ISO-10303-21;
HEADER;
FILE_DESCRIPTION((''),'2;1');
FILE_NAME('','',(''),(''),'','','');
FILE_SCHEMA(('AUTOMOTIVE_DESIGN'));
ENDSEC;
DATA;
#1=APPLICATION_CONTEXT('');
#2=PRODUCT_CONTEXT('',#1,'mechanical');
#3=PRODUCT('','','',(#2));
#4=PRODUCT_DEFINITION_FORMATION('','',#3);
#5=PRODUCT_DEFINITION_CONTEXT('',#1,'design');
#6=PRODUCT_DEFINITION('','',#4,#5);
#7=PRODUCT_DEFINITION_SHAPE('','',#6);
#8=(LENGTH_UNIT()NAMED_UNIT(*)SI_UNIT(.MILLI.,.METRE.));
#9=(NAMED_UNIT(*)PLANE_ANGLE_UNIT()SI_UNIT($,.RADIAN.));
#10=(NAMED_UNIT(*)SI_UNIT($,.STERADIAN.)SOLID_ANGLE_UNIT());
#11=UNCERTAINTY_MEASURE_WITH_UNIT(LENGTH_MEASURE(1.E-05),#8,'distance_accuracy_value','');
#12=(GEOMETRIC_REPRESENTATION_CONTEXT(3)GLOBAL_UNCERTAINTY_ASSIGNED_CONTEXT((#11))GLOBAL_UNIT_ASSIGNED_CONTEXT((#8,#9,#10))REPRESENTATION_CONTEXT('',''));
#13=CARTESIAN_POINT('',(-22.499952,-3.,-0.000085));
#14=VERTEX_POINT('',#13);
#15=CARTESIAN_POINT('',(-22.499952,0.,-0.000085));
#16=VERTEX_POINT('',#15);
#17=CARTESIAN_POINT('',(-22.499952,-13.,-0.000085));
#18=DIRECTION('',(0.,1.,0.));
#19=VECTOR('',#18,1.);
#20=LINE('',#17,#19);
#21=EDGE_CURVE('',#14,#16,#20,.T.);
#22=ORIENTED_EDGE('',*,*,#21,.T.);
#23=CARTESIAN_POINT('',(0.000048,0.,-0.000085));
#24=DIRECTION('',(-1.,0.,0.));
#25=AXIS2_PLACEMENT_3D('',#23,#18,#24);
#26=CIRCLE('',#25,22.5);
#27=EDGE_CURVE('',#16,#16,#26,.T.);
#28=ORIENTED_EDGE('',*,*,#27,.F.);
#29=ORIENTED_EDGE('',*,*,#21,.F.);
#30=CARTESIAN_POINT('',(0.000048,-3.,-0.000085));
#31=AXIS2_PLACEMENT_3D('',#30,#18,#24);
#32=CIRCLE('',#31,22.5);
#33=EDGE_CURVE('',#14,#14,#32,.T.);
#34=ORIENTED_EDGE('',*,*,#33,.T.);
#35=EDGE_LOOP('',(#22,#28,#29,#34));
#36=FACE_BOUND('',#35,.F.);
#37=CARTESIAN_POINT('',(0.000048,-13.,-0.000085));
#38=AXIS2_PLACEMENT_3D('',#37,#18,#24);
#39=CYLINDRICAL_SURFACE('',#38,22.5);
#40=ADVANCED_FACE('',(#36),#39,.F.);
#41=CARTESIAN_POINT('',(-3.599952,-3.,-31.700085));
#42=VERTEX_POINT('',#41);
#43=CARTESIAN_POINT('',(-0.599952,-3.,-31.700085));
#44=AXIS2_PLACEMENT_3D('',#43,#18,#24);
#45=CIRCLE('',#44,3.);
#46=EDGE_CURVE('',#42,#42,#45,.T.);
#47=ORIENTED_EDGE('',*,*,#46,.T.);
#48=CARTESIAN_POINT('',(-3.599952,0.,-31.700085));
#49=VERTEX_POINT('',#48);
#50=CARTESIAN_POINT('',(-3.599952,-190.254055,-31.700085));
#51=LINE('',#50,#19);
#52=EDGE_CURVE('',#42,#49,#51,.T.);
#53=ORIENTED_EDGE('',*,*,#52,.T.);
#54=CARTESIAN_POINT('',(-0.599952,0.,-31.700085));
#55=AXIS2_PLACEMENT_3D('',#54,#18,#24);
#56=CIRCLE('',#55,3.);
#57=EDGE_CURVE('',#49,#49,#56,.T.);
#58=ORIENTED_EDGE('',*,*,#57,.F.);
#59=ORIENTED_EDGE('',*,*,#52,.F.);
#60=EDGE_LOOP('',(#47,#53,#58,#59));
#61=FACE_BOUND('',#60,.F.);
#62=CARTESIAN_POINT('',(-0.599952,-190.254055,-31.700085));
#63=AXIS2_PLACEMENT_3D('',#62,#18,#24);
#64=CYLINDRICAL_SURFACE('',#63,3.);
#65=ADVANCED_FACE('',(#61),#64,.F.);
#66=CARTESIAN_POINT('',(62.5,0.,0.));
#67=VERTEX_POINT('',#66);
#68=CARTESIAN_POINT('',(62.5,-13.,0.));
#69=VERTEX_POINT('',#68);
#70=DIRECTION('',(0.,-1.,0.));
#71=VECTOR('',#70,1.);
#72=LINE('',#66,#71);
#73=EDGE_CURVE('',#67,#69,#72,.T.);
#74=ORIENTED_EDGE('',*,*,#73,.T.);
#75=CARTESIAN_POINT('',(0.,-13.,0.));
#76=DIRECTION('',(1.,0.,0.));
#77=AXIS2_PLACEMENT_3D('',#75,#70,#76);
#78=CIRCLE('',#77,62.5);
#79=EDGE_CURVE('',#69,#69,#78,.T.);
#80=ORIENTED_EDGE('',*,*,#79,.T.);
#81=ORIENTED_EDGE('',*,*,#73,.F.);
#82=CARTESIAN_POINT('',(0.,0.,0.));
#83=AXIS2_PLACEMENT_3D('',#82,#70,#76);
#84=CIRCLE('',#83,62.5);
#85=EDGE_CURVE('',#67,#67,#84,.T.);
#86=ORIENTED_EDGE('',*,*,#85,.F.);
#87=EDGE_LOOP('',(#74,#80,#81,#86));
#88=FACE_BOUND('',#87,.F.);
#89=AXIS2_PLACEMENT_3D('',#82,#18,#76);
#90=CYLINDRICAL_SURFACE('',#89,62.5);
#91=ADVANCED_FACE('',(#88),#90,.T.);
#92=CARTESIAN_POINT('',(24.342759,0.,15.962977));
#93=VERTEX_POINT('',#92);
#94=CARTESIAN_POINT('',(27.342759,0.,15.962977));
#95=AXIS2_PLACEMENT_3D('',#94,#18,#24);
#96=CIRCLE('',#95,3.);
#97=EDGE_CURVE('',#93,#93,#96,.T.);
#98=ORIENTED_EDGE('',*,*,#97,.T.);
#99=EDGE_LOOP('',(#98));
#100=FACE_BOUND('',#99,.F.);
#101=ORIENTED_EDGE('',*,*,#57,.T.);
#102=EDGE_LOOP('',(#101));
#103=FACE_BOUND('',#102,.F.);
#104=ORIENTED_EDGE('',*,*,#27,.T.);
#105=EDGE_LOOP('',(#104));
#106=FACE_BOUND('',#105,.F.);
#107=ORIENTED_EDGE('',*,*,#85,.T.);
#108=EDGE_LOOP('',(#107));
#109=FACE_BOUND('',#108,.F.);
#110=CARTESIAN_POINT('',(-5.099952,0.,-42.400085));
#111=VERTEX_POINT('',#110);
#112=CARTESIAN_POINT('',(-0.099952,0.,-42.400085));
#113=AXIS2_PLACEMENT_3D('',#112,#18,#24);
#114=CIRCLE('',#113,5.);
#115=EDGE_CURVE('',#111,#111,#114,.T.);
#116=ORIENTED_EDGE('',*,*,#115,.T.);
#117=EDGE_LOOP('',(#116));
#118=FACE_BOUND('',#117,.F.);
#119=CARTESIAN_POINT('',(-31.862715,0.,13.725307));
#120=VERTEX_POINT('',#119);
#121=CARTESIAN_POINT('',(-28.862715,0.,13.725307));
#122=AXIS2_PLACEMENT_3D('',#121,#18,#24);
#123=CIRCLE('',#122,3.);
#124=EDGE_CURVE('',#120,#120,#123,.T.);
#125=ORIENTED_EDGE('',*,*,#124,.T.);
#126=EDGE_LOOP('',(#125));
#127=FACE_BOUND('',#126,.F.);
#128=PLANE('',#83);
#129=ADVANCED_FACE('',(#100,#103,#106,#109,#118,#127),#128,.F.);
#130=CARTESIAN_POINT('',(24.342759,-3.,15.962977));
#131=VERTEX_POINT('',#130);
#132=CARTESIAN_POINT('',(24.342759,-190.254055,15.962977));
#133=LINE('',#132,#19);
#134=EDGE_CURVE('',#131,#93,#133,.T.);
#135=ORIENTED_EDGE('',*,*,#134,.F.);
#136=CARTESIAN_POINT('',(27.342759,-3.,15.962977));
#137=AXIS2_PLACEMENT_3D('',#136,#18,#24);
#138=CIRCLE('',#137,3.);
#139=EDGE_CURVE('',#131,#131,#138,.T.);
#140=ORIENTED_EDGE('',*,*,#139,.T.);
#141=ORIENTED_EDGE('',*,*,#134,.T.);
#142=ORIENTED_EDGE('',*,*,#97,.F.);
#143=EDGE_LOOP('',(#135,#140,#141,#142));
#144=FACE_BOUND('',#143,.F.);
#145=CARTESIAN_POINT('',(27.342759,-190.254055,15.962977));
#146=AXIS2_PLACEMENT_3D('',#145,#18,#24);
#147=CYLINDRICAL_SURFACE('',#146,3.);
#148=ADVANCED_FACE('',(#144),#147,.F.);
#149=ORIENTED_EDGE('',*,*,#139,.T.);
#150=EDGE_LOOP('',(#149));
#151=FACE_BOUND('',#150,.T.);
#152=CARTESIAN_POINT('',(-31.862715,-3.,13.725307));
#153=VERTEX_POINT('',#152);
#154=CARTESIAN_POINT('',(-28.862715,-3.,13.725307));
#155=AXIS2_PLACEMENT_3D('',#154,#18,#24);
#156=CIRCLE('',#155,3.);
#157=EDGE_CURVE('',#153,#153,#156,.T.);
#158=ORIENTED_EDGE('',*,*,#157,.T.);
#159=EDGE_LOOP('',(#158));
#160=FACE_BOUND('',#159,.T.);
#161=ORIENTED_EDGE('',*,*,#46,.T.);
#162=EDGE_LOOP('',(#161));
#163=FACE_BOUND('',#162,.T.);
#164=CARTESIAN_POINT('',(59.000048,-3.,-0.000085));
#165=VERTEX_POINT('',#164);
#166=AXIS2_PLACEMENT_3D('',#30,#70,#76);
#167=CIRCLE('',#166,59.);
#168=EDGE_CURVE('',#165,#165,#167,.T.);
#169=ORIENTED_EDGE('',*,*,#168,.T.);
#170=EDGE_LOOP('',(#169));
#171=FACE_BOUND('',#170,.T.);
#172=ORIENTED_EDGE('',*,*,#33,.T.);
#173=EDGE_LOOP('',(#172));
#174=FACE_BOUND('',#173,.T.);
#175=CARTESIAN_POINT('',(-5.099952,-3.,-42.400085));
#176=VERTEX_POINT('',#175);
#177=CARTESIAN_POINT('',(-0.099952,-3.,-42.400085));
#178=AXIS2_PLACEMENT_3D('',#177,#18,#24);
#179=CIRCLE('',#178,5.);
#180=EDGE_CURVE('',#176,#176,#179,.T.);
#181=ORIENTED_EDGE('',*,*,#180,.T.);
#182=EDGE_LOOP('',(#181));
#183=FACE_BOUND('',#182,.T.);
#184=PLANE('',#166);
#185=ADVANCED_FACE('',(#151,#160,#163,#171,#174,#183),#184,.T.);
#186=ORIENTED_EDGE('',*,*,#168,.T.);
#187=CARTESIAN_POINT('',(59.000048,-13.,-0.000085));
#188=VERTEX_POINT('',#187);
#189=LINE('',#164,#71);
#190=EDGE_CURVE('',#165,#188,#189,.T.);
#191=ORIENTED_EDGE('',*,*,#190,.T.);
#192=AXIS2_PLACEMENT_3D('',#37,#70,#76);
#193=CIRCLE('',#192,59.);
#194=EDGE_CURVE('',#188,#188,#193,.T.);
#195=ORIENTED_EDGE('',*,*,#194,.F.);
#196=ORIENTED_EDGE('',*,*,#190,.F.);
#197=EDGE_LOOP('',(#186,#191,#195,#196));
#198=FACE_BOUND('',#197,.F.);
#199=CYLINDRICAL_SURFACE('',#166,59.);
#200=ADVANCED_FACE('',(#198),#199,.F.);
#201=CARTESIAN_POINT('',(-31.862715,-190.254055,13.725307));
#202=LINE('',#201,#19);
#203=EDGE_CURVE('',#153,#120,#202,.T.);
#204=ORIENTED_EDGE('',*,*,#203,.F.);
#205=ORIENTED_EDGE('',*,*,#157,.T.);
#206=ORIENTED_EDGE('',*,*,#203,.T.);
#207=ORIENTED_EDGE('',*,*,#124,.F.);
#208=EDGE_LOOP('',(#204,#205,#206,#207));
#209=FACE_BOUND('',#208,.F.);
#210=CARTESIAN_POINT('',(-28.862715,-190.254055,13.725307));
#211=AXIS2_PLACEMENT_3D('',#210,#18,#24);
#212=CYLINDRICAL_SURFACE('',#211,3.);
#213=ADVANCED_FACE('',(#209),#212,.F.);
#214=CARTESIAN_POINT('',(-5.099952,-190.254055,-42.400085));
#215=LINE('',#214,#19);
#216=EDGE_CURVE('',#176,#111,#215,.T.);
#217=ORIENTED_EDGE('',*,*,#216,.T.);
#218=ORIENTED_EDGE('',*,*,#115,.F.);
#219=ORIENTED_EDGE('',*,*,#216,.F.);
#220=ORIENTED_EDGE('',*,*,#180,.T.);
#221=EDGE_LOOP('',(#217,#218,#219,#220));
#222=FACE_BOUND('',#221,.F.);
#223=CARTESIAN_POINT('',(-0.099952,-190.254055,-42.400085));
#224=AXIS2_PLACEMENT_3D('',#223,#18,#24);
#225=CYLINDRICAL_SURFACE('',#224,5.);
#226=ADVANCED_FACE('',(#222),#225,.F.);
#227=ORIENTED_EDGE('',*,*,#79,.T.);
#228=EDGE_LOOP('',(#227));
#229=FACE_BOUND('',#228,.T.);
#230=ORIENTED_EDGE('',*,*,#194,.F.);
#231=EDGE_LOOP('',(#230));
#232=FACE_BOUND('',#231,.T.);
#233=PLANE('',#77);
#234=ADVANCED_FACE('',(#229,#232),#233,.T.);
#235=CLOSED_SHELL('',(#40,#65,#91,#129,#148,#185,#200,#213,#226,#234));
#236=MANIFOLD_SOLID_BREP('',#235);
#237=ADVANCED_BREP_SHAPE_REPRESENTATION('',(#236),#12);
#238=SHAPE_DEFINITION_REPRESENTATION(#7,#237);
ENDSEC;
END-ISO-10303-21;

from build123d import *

# Parameters (mm, degrees)
F0_R           = 62.5
F1_DEPTH       = 13
F3_D           = 6
F4_D           = 45
F4_CBORE_D     = 118
F4_CBORE_DEPTH = 10
F5_D           = 10


with BuildPart() as f1:
    # F0 (on Front) → F1 (new body)
    with BuildSketch(Plane.XZ):
        Circle(F0_R)
    extrude(amount=F1_DEPTH)

    # F3 (through all)
    with Locations(Plane.XZ.offset(13)):
        with Locations((-28.862715, 13.725307), (27.342759, 15.962977), (-0.599952, -31.700085)):
            Hole(F3_D / 2)

    # F4 (through all)
    with Locations(Plane.XZ.offset(13)):
        with Locations((4.8e-05, -8.5e-05)):
            CounterBoreHole(F4_D / 2, F4_CBORE_D / 2, F4_CBORE_DEPTH)

    # F5 (through all)
    with Locations(Plane.XZ.offset(13)):
        with Locations((-0.099952, -42.400085)):
            Hole(F5_D / 2)


solid = f1.part
